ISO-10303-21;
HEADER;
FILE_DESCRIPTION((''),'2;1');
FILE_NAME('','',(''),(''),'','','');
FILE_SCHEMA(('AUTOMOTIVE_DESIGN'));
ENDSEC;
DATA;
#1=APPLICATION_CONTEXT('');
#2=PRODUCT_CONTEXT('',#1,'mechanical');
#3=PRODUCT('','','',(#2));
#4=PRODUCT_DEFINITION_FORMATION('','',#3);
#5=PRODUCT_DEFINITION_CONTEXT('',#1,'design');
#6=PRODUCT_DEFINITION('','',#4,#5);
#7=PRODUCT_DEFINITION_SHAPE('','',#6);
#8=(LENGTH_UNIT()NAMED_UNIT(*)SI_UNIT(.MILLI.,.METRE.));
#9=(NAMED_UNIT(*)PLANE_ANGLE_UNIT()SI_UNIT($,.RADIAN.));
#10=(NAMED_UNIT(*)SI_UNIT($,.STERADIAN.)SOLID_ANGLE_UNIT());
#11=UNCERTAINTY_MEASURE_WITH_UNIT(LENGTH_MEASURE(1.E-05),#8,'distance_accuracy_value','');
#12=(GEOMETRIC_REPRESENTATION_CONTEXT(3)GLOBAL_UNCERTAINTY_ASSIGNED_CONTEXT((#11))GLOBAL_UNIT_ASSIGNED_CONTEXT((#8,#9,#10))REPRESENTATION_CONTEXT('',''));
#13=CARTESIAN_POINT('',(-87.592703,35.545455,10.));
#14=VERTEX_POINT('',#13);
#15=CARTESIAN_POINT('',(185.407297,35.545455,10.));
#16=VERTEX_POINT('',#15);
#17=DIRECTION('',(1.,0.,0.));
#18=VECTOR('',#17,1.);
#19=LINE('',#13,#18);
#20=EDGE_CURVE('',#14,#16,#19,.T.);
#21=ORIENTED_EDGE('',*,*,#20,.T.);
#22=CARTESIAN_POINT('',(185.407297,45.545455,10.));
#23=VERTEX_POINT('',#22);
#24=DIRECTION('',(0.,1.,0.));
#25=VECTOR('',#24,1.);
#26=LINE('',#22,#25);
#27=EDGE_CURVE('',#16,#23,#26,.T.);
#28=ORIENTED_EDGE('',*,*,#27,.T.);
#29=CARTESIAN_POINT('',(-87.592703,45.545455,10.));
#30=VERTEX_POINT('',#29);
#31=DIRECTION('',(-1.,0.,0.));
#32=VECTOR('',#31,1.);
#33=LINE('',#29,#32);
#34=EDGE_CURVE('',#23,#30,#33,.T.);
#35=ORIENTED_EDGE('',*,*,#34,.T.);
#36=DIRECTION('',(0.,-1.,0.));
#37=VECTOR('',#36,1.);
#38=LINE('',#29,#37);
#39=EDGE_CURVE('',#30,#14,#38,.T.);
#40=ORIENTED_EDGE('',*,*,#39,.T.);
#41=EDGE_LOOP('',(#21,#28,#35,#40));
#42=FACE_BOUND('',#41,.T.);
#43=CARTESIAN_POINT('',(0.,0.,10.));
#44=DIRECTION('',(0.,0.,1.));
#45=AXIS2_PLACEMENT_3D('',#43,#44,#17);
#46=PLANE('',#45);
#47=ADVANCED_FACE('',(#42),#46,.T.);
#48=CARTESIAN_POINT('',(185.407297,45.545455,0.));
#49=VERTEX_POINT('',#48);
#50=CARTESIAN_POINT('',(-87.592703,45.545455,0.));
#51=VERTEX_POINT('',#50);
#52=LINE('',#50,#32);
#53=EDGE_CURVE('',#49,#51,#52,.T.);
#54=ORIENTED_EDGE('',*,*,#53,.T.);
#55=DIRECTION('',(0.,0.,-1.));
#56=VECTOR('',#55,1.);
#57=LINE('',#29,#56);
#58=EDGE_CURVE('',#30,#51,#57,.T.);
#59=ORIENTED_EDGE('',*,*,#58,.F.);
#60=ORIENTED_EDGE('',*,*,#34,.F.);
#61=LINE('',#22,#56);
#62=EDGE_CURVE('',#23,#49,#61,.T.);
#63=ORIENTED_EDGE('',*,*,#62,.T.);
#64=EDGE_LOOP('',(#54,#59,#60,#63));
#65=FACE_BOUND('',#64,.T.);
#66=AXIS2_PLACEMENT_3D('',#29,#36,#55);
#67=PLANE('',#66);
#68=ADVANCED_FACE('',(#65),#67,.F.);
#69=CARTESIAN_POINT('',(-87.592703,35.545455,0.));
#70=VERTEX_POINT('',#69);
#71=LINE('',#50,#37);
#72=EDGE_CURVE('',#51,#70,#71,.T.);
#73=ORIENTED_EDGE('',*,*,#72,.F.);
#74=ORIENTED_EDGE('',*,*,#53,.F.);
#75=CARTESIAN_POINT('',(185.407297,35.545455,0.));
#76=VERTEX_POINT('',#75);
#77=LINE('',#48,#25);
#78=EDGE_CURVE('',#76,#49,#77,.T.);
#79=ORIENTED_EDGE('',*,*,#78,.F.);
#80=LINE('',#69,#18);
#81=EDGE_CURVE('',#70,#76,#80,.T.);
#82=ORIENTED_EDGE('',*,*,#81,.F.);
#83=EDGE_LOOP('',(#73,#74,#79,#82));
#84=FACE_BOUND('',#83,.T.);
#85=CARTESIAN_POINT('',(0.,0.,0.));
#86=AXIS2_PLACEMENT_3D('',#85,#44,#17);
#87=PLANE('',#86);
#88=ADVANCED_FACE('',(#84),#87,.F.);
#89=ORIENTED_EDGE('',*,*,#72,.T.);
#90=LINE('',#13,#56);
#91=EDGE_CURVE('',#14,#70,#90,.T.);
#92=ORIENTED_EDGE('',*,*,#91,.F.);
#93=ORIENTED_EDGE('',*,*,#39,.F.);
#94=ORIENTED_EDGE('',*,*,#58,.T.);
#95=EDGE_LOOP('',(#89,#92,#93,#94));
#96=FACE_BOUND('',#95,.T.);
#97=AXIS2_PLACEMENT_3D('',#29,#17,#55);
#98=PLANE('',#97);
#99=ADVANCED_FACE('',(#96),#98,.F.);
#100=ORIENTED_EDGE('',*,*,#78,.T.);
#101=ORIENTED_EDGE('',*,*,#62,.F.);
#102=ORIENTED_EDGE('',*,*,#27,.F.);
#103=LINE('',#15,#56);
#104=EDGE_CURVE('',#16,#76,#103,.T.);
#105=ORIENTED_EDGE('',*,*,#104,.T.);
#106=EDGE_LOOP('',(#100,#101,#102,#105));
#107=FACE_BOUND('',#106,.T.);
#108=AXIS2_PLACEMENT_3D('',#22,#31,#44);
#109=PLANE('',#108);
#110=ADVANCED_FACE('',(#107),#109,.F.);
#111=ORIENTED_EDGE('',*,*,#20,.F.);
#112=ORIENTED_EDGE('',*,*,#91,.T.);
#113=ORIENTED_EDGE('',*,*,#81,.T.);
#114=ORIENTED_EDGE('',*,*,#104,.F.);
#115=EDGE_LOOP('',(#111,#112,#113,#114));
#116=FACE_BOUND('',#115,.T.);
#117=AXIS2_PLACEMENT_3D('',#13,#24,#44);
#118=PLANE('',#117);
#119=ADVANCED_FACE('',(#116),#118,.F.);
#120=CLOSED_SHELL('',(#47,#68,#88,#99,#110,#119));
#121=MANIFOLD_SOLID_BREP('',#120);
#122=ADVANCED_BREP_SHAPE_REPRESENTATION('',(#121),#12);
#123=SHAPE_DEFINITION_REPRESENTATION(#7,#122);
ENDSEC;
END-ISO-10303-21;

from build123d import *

# Parameters (mm, degrees)
ESQUISSE1_W        = 273
ESQUISSE1_H        = 10
BOSS_EXTRU_1_DEPTH = 10


with BuildPart() as part:
    # Esquisse1 → Boss.-Extru.1 (new body)
    with BuildSketch(Plane.XY):
        with Locations((48.907296651, 40.545454545)):
            Rectangle(ESQUISSE1_W, ESQUISSE1_H)
    extrude(amount=BOSS_EXTRU_1_DEPTH)


solid = part.part
